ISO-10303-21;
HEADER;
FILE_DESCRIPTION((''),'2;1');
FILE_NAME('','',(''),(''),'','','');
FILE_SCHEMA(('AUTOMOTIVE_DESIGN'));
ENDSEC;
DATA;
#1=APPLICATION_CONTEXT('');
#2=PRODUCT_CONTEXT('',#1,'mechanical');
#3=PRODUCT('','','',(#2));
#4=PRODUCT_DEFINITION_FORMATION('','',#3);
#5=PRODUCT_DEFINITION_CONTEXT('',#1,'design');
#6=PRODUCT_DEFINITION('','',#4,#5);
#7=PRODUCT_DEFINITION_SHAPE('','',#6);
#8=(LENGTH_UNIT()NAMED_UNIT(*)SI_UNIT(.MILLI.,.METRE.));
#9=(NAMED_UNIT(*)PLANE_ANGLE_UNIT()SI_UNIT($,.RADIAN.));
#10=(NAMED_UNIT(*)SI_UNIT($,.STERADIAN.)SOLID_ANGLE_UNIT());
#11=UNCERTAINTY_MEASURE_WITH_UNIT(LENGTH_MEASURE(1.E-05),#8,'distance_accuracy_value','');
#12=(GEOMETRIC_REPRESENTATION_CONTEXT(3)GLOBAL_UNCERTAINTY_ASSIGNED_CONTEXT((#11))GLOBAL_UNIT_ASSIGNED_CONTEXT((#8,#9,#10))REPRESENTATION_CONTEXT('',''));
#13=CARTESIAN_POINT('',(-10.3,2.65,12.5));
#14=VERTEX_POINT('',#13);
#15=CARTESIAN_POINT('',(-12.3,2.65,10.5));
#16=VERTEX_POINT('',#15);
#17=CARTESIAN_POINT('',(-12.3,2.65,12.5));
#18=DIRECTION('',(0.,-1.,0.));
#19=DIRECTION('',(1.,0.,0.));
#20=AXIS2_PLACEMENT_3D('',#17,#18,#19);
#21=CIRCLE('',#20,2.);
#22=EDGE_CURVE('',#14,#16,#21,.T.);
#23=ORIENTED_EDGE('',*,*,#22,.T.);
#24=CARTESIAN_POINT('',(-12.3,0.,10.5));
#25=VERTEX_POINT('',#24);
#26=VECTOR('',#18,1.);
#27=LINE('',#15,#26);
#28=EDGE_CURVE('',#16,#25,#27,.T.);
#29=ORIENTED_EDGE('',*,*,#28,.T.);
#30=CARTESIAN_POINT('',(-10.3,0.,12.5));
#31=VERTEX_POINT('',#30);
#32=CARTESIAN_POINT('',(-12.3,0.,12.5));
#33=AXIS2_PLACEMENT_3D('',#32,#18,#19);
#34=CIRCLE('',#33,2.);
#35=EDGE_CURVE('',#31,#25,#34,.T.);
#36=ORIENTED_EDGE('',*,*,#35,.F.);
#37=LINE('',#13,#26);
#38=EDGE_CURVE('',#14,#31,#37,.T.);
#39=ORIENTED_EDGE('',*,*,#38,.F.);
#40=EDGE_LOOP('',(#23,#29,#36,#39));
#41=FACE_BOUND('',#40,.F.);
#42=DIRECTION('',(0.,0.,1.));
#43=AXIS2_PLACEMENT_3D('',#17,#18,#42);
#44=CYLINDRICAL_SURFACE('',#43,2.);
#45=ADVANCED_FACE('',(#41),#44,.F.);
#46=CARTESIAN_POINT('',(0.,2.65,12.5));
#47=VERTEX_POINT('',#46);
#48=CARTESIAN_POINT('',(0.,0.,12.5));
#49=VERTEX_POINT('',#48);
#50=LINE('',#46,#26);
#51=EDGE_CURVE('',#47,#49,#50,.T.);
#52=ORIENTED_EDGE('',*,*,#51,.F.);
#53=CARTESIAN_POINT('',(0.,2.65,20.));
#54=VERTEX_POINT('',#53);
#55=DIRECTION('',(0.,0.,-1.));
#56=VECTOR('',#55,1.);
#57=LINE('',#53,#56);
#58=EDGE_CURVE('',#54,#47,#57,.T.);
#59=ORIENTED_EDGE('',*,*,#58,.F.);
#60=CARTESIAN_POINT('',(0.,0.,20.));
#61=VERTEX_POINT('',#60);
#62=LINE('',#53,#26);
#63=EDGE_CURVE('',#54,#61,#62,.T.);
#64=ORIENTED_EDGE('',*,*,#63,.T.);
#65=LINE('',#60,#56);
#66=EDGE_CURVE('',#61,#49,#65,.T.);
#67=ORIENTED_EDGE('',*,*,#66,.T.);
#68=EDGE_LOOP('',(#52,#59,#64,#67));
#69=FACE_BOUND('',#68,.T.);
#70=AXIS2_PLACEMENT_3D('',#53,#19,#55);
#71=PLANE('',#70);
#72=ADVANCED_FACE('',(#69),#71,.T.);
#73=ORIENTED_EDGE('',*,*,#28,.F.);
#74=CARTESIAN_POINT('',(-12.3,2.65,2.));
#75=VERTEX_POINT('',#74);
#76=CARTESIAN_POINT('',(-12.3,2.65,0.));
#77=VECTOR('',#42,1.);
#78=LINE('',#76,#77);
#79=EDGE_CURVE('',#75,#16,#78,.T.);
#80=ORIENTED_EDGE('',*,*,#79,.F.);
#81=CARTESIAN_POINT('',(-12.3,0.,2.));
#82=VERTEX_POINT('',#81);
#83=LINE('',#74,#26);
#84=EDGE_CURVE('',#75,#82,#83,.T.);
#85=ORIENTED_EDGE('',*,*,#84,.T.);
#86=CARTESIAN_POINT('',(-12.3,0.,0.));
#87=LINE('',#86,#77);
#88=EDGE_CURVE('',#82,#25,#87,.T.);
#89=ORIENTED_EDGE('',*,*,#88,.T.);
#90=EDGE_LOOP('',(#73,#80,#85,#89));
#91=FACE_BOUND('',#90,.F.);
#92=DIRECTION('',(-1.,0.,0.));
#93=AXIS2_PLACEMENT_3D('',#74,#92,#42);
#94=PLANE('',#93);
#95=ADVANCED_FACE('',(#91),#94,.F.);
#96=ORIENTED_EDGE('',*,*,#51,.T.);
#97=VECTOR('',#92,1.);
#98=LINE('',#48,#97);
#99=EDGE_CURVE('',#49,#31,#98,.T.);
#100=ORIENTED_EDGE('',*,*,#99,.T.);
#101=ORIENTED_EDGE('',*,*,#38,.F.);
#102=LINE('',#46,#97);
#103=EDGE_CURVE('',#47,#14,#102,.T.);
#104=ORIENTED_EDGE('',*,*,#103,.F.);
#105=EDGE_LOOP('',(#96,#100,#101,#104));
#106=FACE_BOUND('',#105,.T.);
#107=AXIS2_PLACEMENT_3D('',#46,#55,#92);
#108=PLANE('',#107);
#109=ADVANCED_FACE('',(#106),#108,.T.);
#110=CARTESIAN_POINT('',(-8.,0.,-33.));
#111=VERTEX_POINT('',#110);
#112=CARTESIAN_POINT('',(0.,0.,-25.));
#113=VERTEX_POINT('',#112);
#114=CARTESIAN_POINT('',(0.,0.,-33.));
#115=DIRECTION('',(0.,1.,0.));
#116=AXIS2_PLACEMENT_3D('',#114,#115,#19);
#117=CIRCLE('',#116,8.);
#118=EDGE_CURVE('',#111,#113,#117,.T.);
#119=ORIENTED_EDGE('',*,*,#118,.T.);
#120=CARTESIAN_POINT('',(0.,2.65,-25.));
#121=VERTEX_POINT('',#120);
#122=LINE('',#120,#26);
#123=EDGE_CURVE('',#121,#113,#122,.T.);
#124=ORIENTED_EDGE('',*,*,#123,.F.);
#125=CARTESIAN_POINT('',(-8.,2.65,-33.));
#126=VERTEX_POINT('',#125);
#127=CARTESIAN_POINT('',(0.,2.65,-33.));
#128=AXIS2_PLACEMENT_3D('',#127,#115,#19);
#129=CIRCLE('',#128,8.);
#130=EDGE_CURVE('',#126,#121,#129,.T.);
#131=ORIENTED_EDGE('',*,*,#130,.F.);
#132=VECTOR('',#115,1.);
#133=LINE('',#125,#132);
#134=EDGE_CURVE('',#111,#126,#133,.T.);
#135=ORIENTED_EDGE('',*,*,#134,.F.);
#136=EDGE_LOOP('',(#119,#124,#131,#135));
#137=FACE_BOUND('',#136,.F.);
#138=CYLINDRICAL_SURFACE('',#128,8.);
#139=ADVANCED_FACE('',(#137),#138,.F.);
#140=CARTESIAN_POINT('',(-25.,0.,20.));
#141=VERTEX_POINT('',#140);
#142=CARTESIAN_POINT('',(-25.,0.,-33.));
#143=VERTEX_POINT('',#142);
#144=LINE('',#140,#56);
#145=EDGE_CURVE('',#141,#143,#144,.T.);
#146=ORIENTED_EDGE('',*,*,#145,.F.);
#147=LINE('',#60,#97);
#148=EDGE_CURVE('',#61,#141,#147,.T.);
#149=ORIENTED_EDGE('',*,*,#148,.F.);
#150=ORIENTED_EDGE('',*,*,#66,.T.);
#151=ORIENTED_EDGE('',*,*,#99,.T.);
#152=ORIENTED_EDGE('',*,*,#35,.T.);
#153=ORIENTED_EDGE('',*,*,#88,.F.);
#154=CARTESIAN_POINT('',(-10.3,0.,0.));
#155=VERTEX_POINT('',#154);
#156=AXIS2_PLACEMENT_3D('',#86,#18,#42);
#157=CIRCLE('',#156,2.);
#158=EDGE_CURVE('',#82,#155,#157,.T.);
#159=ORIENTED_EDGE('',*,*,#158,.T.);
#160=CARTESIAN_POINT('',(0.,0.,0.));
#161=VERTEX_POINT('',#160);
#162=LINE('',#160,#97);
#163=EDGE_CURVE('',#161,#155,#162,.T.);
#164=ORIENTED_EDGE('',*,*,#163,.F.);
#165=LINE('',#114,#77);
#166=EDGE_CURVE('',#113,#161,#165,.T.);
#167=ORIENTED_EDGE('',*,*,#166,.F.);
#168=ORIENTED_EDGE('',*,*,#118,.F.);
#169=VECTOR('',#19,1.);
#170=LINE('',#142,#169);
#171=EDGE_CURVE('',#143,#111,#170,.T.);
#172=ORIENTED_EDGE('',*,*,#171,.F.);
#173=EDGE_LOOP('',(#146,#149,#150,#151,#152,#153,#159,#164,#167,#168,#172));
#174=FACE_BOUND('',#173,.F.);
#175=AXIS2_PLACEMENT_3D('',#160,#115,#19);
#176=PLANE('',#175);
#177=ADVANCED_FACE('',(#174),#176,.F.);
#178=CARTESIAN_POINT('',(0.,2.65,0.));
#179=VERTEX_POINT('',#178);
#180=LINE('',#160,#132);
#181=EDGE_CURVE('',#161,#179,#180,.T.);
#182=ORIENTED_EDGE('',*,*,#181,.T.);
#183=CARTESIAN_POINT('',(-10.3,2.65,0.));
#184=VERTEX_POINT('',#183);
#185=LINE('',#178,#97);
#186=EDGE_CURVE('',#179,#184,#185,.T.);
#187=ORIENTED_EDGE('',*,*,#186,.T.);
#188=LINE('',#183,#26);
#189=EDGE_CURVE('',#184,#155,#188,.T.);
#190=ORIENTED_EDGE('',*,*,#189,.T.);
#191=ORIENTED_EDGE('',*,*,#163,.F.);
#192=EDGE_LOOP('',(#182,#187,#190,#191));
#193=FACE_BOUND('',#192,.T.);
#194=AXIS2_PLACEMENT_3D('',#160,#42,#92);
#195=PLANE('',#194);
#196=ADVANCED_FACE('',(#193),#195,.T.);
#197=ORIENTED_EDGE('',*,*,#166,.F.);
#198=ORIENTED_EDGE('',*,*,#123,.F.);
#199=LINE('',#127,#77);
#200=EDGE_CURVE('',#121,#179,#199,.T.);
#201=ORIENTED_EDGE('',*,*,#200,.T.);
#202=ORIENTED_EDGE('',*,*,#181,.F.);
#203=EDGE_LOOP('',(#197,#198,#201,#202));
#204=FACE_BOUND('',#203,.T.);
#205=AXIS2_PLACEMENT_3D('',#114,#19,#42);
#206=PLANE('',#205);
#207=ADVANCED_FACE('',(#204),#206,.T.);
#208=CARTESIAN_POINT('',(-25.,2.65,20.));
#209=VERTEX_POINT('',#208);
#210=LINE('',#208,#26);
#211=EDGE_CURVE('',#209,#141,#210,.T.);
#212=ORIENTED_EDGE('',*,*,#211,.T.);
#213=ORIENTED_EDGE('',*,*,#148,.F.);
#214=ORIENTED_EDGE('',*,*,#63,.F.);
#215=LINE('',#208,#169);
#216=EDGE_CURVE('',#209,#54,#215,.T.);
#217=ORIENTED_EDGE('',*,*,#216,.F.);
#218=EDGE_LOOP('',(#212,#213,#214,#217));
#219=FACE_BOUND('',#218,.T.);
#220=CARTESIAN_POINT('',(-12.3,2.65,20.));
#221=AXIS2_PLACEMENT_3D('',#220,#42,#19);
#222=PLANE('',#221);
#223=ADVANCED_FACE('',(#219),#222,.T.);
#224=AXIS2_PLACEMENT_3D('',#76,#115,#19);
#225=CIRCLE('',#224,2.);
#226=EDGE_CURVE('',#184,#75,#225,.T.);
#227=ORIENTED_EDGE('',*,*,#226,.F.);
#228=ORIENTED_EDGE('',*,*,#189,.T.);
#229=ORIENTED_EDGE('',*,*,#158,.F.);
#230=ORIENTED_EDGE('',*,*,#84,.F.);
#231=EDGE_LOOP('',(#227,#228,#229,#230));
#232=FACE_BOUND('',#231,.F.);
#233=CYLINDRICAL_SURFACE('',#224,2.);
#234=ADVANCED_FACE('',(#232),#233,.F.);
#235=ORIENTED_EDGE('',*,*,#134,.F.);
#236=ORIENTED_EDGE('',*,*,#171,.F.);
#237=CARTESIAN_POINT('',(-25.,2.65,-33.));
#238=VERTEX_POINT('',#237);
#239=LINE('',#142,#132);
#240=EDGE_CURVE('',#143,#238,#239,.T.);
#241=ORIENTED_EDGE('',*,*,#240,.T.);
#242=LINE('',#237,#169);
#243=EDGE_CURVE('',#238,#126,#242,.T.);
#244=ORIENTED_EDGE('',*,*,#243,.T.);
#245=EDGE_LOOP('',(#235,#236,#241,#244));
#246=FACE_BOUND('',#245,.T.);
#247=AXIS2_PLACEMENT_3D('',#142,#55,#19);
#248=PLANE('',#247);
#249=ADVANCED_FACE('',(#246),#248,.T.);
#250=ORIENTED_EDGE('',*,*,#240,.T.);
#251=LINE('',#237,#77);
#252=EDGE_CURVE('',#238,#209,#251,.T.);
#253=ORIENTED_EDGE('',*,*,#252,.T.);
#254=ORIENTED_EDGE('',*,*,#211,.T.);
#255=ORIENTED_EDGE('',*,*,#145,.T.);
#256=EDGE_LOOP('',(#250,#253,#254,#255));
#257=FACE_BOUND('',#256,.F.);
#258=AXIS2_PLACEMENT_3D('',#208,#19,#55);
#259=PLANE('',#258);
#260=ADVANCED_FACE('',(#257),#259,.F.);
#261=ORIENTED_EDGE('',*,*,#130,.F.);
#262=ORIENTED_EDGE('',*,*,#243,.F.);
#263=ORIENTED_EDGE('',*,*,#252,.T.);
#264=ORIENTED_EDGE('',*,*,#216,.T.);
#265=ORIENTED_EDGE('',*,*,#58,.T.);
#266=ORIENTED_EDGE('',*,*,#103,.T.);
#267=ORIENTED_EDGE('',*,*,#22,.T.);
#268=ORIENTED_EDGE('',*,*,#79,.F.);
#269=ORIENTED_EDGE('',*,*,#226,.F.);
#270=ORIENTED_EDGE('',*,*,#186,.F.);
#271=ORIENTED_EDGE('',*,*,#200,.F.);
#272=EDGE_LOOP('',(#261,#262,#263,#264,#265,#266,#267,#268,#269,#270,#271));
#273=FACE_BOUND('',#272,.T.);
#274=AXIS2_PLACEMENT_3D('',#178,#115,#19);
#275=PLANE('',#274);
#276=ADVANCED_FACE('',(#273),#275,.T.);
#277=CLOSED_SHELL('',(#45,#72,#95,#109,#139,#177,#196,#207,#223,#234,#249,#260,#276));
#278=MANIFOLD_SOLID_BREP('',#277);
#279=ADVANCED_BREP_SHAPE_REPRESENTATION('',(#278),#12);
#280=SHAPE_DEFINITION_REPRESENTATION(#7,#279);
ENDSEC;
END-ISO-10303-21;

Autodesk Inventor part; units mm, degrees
ref_plane "YZ Plane" through (0, 0, 0) normal (1, 0, 0) x (0, 1, 0)
ref_plane "XZ Plane" through (0, 0, 0) normal (0, 1, 0) x (-1, 0, 0)
ref_plane "XY Plane" through (0, 0, 0) normal (0, 0, 1) x (1, 0, 0)
sketch "スケッチ1" plane through (0, 0, 0) normal (0, 1, 0) x (-1, 0, 0)
  line L0 (0, 0) -> (25, 0)
  line L1 (25, 0) -> (25, -33)
  line L2 (25, -33) -> (0, -33)
  line L3 (0, -33) -> (0, 0)
  line L4 (25, -27) -> (0, -33)
  dimension "d0" = 33
  dimension "d1" = 25
  dimension "d2" = 27
extrude "押し出し1" add sketch "スケッチ1" along normal blind 2.65
sketch "スケッチ2" plane through (0, 2.65, 0) normal (0, 1, 0) x (1, 0, 0)
  line L0 (0, 0) -> (0, 33) projected
  circle A0 centre (0, 33) radius 8
  dimension "d5" = 16
extrude "押し出し2" cut sketch "スケッチ2" against normal blind 2.65
sketch "スケッチ3" plane through (0, 2.65, 0) normal (0, 1, 0) x (1, 0, 0)
  line L0 (-25, 0) -> (0, 0) projected
  line L1 (-25, 0) -> (-12.3, 0)
  line L2 (-12.3, 0) -> (-12.3, -20)
  line L3 (-12.3, -20) -> (-25, -20)
  line L4 (-25, -20) -> (-25, 0)
  line L5 (0, 0) -> (0, 25) projected
  circle A0 centre (-12.3, 0) radius 2
  point P0 (-12.3, -2)
  point P1 (-14.3, 0)
  dimension "d8" = 20
  dimension "d9" = 12.3
  dimension "d10" = 4
extrude "押し出し3" add sketch "スケッチ3" against normal blind 2.65 contours A0 L2 L3 L4 L0
sketch "スケッチ4" plane through (0, 2.65, 0) normal (0, 1, 0) x (1, 0, 0)
  arc A0 (-14.3, 0) -> (-12.3, -2) centre (-12.3, 0) ccw projected
  line L0 (-12.3, -2) -> (-12.3, -20) projected
  circle A1 centre (-12.3, 0) radius 2
  point P0 (0, 0)
  point P1 (-14.3, 0)
extrude "押し出し4" cut sketch "スケッチ4" against normal blind 2.65
sketch "スケッチ5" plane through (0, 2.65, 0) normal (0, 1, 0) x (1, 0, 0)
  line L0 (-25, -20) -> (-12.3, -20) projected
  line L1 (-12.3, -20) -> (0, -20)
  line L2 (0, -20) -> (0, -12.5)
  line L3 (0, -12.5) -> (-12.3, -12.5)
  line L4 (-12.3, -12.5) -> (-12.3, -20)
  line L5 (-10.3, 0) -> (0, 0) projected
  dimension "d15" = 12.5
  dimension "d16" = 12.3
extrude "押し出し5" add sketch "スケッチ5" against normal blind 2.65
sketch "スケッチ6" plane through (0, 2.65, 0) normal (0, 1, 0) x (1, 0, 0)
  line L0 (-12.3, -12.5) -> (-12.3, -2) projected
  point P0 (0, 0)
hole "穴1" at (-12.3, 2.65, 12.5) direction (0, -1, 0) diameter 4 end through all
properties part number "bendpart_90deg"
